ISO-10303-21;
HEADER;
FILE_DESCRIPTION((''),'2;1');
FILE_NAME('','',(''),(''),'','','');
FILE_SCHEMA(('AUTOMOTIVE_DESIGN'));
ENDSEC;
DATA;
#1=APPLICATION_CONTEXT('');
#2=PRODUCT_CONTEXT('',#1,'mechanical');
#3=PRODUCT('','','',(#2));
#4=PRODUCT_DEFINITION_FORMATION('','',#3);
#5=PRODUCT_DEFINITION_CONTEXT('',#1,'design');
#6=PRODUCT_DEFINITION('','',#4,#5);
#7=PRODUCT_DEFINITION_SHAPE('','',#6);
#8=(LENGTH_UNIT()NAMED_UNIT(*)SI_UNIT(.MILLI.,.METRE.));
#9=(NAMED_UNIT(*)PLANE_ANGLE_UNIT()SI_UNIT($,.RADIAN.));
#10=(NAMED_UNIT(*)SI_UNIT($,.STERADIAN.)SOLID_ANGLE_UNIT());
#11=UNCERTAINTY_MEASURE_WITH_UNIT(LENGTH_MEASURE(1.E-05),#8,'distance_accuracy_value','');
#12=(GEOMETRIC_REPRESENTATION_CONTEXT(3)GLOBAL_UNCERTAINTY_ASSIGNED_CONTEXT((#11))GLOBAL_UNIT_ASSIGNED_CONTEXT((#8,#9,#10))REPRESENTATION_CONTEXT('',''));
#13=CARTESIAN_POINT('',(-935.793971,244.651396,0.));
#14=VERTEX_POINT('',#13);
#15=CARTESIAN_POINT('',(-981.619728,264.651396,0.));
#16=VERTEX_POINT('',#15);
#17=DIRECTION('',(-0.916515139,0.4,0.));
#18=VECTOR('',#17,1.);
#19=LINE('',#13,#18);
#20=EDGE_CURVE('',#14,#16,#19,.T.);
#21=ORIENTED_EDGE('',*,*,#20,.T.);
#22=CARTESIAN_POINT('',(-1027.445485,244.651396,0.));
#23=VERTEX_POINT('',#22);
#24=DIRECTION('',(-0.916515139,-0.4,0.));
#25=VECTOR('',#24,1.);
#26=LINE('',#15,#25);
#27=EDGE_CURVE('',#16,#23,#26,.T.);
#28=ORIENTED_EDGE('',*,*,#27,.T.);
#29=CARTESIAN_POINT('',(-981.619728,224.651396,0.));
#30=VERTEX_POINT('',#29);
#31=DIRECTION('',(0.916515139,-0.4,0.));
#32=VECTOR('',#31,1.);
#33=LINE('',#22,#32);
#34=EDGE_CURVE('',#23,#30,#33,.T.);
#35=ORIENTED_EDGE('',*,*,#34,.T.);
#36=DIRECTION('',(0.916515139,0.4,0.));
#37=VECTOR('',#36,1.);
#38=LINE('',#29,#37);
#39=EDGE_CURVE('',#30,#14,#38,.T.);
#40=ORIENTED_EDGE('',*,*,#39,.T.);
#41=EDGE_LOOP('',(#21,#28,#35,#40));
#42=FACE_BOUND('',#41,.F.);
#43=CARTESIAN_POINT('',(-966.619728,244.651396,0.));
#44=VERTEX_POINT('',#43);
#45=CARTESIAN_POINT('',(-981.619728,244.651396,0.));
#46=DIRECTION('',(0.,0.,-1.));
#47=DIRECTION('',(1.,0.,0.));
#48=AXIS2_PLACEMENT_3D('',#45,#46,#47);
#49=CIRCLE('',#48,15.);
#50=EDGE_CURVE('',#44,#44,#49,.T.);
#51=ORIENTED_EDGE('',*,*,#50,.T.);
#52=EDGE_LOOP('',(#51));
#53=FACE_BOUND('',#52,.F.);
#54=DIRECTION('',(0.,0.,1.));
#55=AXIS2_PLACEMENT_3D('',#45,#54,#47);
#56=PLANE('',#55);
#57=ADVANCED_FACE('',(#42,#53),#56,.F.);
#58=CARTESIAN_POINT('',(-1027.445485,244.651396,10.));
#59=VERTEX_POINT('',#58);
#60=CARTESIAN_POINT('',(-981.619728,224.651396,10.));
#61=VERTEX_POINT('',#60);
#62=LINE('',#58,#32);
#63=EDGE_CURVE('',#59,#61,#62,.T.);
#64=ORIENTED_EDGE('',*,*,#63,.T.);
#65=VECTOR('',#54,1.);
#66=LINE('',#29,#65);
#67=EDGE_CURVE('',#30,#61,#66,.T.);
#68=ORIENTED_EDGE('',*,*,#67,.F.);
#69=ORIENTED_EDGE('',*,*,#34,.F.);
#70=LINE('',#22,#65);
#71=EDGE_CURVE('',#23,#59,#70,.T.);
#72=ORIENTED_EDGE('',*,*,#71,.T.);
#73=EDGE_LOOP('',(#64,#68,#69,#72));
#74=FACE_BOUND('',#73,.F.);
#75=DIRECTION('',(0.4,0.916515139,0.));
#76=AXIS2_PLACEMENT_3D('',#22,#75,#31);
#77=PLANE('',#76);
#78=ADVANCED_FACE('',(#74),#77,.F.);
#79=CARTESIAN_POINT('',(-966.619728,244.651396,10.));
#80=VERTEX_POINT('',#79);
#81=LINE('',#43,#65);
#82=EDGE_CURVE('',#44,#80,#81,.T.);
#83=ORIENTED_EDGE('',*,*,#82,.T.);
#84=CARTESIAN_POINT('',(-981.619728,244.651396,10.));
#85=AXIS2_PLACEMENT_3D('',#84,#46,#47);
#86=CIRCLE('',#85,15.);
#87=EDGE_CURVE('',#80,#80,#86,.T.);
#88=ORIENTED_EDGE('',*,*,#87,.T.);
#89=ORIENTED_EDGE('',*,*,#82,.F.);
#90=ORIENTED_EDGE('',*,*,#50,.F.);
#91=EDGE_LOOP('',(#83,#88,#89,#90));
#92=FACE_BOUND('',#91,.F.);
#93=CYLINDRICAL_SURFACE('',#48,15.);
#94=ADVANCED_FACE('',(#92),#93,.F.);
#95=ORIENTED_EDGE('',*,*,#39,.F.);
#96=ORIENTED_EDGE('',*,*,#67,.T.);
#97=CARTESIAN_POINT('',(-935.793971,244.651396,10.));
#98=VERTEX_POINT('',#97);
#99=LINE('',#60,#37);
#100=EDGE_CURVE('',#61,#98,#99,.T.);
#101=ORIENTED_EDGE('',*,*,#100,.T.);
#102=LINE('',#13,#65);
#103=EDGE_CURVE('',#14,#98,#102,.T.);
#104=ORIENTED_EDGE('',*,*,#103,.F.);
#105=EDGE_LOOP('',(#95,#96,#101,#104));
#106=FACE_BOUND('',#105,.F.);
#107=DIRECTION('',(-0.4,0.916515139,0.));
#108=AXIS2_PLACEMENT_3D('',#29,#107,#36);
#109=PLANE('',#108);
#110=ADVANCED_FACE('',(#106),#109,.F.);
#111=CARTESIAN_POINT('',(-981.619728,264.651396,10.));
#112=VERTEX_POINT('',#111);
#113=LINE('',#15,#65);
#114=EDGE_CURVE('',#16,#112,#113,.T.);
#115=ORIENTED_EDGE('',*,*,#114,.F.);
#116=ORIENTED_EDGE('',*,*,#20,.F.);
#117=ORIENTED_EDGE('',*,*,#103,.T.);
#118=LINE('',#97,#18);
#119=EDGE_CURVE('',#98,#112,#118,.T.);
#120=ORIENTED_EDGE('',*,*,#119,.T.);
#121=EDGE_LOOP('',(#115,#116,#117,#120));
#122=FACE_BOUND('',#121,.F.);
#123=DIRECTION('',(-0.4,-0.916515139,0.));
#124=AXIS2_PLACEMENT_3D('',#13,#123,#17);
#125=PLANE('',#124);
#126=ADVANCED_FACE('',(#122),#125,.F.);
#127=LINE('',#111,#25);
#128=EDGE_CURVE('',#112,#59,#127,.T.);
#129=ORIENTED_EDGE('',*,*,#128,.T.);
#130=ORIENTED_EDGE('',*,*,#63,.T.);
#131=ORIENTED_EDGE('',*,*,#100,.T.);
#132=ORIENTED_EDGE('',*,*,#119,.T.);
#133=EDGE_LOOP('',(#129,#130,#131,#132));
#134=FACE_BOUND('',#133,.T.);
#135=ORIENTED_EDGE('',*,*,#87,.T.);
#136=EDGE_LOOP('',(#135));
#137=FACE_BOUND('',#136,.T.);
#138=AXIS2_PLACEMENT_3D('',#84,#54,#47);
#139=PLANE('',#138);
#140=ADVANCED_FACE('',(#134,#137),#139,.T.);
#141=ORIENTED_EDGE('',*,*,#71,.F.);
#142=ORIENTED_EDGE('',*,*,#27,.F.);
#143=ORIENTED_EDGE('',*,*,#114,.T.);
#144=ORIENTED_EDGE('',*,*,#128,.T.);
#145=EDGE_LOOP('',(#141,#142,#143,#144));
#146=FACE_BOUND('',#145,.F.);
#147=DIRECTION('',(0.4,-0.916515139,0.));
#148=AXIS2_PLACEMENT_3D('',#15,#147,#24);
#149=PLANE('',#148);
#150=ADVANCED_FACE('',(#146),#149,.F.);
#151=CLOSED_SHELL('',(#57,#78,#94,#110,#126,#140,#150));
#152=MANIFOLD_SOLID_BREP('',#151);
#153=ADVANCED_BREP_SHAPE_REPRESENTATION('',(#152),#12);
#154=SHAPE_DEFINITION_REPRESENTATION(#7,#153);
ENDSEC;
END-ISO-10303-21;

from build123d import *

# Parameters (mm, degrees)
F1_DEPTH = 10
F2_R     = 15
F3_DEPTH = 10.001


with BuildPart() as f1:
    # F0 (on Top) → F1 (new body)
    with BuildSketch(Plane.XY):
        Polygon((-1027.445485, 244.651396), (-981.619728, 224.651396), (-935.793971, 244.651396), (-981.619728, 264.651396), align=None)
    extrude(amount=F1_DEPTH)

    # F2 (on face) → F3 (cut, through all)
    with BuildSketch(Plane(origin=(0, 0, 0), x_dir=(1, 0, 0), z_dir=(0, 0, -1))):
        with Locations((-981.619728, -244.651396)):
            Circle(F2_R)
    extrude(amount=-F3_DEPTH, mode=Mode.SUBTRACT)


solid = f1.part
